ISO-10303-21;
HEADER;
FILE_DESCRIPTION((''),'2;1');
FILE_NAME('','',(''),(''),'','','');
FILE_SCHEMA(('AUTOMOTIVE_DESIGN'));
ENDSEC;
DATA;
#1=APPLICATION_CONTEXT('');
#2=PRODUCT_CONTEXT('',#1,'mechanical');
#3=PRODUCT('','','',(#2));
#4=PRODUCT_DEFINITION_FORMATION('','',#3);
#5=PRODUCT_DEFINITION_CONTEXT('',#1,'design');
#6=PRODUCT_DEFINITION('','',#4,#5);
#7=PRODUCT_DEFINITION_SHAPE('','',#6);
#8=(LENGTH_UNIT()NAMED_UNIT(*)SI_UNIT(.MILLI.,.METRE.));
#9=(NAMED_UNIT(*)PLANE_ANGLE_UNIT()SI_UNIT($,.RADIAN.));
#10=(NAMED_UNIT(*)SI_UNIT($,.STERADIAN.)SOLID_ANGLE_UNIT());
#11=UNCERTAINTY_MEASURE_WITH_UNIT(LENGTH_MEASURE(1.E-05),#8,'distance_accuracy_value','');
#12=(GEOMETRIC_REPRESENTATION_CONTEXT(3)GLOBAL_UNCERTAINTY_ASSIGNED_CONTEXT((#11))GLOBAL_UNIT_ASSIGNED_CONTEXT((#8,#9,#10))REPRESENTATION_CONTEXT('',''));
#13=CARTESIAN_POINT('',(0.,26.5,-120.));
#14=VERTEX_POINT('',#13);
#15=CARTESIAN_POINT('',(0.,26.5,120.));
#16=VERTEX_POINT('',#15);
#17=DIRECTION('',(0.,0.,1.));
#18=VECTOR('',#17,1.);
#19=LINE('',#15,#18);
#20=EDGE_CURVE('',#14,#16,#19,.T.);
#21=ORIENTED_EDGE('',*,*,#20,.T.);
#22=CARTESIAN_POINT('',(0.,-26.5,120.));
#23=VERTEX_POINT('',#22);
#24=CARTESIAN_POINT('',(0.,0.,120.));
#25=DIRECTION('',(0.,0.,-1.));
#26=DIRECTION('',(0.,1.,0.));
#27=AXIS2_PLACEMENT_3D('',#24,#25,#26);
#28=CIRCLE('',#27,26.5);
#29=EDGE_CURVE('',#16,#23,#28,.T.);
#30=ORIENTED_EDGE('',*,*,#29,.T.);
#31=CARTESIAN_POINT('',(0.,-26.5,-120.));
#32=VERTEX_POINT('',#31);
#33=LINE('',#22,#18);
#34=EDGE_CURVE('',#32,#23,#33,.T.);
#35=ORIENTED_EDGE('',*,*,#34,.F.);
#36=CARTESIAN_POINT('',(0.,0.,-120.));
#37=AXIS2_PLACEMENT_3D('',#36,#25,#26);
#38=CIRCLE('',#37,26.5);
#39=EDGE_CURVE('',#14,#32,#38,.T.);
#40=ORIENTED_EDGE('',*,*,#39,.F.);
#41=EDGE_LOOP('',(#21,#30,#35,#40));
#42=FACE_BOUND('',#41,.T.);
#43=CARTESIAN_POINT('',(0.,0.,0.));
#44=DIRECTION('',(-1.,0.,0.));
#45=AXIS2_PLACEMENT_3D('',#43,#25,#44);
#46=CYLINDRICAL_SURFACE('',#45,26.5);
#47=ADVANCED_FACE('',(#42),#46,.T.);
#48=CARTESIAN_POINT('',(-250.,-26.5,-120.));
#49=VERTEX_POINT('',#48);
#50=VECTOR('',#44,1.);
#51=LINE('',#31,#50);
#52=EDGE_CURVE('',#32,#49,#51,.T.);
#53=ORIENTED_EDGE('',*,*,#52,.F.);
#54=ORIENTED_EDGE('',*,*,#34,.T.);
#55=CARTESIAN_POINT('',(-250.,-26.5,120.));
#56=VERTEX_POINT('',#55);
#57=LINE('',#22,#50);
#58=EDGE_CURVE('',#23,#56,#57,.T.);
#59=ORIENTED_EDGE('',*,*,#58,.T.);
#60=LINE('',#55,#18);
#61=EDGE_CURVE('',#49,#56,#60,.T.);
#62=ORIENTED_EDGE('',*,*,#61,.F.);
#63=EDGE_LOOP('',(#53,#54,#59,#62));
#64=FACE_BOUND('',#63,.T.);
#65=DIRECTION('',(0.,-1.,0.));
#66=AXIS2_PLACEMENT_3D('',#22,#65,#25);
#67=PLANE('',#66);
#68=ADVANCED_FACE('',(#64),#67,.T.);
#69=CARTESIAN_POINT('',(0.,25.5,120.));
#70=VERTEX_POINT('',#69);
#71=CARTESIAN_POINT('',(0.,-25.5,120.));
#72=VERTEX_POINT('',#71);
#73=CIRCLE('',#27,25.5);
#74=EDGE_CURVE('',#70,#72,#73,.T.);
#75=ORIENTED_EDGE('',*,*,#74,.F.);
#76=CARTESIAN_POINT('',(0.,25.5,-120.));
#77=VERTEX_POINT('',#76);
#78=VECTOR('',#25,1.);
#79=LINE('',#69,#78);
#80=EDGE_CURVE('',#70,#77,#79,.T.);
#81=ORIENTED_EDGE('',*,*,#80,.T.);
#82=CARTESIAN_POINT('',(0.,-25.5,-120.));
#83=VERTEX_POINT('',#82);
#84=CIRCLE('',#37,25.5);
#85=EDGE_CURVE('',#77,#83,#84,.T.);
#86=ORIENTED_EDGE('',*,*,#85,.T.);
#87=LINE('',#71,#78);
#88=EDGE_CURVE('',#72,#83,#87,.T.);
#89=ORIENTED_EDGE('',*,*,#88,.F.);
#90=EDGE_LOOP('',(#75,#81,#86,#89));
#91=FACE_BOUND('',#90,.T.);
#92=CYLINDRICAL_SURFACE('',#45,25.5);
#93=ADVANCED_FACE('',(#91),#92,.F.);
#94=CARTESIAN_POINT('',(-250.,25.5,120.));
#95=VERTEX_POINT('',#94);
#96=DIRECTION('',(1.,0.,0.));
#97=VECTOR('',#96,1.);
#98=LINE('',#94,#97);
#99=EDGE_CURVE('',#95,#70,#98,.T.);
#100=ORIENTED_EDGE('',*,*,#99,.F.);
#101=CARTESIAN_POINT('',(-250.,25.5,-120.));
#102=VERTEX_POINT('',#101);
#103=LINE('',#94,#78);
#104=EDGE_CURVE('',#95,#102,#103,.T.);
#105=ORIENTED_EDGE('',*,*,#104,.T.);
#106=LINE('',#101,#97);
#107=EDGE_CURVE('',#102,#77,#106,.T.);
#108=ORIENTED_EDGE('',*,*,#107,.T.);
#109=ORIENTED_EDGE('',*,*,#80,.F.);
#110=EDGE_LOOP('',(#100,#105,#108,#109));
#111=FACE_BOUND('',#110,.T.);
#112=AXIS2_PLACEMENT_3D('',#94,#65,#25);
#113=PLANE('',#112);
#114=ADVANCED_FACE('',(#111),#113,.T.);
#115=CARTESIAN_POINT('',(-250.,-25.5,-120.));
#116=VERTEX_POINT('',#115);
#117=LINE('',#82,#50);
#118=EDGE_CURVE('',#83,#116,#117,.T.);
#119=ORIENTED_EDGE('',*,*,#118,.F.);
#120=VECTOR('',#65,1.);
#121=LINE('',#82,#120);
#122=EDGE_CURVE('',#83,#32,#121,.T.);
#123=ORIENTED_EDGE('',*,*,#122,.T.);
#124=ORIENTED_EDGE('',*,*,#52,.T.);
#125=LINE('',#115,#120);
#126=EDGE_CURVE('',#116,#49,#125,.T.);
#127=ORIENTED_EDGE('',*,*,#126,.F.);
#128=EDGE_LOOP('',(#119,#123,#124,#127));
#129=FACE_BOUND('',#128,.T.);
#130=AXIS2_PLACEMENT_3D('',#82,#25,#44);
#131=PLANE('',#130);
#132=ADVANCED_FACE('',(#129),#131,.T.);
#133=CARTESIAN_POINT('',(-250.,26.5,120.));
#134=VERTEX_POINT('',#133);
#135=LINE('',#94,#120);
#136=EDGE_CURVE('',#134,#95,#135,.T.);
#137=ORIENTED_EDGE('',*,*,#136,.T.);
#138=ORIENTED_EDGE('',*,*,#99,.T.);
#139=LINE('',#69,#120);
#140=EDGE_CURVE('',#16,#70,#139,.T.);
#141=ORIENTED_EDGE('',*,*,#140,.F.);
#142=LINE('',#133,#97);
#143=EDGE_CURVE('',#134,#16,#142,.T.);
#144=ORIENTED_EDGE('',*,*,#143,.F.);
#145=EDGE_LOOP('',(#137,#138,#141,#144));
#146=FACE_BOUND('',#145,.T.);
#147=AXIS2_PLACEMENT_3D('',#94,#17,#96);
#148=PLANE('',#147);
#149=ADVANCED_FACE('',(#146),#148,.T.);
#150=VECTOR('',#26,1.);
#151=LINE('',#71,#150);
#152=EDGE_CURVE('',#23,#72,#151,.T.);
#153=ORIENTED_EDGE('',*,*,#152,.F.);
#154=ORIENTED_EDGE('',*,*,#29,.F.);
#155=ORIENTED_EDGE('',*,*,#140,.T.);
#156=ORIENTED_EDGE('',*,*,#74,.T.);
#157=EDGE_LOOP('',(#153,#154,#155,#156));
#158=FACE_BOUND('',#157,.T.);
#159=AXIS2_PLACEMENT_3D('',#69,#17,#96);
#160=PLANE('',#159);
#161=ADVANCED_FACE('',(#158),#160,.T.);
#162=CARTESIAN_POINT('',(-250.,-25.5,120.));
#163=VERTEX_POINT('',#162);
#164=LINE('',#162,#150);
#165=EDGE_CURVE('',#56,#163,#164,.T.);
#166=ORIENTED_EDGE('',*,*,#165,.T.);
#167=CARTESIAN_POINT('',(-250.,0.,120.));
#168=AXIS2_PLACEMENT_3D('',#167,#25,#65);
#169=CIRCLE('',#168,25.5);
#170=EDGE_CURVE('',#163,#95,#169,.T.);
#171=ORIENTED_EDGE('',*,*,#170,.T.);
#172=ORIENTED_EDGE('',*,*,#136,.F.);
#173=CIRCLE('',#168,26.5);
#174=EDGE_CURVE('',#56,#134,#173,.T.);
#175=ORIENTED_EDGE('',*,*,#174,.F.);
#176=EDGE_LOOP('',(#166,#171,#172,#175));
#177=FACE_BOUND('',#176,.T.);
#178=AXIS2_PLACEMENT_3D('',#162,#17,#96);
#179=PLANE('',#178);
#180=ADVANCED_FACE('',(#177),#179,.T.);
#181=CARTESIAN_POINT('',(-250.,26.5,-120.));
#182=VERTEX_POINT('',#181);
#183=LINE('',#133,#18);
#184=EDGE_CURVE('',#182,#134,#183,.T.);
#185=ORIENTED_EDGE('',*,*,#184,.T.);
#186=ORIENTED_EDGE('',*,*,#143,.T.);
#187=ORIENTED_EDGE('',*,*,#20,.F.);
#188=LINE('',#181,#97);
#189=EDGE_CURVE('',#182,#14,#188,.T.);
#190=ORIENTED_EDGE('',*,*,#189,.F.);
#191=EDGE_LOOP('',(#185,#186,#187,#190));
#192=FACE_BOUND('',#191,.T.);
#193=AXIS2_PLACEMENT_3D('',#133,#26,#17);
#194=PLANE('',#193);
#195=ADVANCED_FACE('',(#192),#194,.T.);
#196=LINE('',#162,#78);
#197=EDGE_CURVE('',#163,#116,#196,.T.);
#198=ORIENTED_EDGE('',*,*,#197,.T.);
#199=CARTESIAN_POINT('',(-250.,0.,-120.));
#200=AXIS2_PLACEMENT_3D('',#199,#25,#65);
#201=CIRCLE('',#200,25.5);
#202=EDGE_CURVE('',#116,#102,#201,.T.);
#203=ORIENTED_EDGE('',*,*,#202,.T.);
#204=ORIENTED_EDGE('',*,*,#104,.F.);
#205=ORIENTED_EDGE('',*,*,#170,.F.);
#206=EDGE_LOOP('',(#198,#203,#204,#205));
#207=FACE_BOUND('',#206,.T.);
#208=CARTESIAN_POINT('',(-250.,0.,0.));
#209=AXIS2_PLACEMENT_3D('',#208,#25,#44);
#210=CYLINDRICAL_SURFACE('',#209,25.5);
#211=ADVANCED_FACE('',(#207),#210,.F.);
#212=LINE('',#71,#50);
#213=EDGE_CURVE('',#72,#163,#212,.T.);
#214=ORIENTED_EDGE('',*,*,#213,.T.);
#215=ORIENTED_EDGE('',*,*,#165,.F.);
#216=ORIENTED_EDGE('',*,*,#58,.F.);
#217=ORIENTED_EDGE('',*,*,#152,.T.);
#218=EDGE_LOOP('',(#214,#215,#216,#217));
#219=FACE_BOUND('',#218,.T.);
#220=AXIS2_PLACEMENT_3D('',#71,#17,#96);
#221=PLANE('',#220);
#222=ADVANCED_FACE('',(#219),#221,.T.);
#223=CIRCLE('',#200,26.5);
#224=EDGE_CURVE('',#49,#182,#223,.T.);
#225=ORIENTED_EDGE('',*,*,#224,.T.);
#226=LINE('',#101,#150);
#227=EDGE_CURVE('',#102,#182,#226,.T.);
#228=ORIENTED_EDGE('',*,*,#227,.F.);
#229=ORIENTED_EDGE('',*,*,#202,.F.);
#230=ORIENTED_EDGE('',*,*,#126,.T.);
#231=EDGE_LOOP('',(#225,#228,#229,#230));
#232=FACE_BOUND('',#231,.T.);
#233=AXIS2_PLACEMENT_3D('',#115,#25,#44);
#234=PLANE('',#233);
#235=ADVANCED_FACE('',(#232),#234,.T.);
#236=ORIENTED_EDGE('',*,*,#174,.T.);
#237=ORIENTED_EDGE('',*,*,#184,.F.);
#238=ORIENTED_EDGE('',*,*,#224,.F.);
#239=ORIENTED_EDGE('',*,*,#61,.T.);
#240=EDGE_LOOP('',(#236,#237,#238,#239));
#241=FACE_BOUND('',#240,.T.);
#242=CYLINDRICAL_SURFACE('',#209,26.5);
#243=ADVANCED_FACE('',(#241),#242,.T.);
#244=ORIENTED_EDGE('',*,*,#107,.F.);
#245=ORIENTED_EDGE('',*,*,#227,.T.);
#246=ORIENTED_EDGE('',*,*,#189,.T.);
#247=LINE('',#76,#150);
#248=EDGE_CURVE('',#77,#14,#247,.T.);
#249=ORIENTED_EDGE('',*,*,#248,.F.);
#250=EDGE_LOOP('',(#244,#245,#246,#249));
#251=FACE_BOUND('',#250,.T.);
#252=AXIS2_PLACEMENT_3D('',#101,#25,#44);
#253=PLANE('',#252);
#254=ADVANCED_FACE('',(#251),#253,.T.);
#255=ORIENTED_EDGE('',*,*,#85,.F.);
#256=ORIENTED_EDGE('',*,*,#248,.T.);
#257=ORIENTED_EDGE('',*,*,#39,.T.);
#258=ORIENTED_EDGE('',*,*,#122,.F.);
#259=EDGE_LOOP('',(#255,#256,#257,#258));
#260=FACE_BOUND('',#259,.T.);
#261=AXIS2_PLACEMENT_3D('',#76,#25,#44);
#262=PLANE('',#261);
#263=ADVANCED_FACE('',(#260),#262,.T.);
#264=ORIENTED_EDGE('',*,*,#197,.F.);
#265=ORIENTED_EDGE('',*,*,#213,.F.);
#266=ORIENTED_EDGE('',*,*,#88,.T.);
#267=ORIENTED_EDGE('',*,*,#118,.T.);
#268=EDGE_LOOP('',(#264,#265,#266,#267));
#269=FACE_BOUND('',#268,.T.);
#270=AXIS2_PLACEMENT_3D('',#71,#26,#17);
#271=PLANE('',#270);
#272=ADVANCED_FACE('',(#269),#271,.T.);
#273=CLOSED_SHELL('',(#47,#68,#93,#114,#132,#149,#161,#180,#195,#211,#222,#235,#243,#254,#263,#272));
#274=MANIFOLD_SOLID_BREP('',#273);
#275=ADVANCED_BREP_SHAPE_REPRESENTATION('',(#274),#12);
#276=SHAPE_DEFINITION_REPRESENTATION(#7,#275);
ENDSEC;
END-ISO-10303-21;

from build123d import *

# Parameters (mm, degrees)
SKETCH2_W = 240
SKETCH2_H = 1


with BuildPart() as part:
    # Sweep1: sweep along a path in Sketch1
    with BuildLine(Plane.XY) as sweep1_path:
        Line((-250, -25.5), (0, -25.5))
        ThreePointArc((0, -25.5), (25.5, 0), (0, 25.5))
        Line((0, 25.5), (-250, 25.5))
        ThreePointArc((-250, 25.5), (-275.5, 0), (-250, -25.5))
    # Sketch2 → Sweep1 (sweep)
    with BuildSketch(Plane(origin=(0, 0, 0), x_dir=(0, 0, -1), z_dir=(1, 0, 0))):
        with Locations((0, 26)):
            Rectangle(SKETCH2_W, SKETCH2_H)
    sweep(path=sweep1_path.line)


solid = part.part
